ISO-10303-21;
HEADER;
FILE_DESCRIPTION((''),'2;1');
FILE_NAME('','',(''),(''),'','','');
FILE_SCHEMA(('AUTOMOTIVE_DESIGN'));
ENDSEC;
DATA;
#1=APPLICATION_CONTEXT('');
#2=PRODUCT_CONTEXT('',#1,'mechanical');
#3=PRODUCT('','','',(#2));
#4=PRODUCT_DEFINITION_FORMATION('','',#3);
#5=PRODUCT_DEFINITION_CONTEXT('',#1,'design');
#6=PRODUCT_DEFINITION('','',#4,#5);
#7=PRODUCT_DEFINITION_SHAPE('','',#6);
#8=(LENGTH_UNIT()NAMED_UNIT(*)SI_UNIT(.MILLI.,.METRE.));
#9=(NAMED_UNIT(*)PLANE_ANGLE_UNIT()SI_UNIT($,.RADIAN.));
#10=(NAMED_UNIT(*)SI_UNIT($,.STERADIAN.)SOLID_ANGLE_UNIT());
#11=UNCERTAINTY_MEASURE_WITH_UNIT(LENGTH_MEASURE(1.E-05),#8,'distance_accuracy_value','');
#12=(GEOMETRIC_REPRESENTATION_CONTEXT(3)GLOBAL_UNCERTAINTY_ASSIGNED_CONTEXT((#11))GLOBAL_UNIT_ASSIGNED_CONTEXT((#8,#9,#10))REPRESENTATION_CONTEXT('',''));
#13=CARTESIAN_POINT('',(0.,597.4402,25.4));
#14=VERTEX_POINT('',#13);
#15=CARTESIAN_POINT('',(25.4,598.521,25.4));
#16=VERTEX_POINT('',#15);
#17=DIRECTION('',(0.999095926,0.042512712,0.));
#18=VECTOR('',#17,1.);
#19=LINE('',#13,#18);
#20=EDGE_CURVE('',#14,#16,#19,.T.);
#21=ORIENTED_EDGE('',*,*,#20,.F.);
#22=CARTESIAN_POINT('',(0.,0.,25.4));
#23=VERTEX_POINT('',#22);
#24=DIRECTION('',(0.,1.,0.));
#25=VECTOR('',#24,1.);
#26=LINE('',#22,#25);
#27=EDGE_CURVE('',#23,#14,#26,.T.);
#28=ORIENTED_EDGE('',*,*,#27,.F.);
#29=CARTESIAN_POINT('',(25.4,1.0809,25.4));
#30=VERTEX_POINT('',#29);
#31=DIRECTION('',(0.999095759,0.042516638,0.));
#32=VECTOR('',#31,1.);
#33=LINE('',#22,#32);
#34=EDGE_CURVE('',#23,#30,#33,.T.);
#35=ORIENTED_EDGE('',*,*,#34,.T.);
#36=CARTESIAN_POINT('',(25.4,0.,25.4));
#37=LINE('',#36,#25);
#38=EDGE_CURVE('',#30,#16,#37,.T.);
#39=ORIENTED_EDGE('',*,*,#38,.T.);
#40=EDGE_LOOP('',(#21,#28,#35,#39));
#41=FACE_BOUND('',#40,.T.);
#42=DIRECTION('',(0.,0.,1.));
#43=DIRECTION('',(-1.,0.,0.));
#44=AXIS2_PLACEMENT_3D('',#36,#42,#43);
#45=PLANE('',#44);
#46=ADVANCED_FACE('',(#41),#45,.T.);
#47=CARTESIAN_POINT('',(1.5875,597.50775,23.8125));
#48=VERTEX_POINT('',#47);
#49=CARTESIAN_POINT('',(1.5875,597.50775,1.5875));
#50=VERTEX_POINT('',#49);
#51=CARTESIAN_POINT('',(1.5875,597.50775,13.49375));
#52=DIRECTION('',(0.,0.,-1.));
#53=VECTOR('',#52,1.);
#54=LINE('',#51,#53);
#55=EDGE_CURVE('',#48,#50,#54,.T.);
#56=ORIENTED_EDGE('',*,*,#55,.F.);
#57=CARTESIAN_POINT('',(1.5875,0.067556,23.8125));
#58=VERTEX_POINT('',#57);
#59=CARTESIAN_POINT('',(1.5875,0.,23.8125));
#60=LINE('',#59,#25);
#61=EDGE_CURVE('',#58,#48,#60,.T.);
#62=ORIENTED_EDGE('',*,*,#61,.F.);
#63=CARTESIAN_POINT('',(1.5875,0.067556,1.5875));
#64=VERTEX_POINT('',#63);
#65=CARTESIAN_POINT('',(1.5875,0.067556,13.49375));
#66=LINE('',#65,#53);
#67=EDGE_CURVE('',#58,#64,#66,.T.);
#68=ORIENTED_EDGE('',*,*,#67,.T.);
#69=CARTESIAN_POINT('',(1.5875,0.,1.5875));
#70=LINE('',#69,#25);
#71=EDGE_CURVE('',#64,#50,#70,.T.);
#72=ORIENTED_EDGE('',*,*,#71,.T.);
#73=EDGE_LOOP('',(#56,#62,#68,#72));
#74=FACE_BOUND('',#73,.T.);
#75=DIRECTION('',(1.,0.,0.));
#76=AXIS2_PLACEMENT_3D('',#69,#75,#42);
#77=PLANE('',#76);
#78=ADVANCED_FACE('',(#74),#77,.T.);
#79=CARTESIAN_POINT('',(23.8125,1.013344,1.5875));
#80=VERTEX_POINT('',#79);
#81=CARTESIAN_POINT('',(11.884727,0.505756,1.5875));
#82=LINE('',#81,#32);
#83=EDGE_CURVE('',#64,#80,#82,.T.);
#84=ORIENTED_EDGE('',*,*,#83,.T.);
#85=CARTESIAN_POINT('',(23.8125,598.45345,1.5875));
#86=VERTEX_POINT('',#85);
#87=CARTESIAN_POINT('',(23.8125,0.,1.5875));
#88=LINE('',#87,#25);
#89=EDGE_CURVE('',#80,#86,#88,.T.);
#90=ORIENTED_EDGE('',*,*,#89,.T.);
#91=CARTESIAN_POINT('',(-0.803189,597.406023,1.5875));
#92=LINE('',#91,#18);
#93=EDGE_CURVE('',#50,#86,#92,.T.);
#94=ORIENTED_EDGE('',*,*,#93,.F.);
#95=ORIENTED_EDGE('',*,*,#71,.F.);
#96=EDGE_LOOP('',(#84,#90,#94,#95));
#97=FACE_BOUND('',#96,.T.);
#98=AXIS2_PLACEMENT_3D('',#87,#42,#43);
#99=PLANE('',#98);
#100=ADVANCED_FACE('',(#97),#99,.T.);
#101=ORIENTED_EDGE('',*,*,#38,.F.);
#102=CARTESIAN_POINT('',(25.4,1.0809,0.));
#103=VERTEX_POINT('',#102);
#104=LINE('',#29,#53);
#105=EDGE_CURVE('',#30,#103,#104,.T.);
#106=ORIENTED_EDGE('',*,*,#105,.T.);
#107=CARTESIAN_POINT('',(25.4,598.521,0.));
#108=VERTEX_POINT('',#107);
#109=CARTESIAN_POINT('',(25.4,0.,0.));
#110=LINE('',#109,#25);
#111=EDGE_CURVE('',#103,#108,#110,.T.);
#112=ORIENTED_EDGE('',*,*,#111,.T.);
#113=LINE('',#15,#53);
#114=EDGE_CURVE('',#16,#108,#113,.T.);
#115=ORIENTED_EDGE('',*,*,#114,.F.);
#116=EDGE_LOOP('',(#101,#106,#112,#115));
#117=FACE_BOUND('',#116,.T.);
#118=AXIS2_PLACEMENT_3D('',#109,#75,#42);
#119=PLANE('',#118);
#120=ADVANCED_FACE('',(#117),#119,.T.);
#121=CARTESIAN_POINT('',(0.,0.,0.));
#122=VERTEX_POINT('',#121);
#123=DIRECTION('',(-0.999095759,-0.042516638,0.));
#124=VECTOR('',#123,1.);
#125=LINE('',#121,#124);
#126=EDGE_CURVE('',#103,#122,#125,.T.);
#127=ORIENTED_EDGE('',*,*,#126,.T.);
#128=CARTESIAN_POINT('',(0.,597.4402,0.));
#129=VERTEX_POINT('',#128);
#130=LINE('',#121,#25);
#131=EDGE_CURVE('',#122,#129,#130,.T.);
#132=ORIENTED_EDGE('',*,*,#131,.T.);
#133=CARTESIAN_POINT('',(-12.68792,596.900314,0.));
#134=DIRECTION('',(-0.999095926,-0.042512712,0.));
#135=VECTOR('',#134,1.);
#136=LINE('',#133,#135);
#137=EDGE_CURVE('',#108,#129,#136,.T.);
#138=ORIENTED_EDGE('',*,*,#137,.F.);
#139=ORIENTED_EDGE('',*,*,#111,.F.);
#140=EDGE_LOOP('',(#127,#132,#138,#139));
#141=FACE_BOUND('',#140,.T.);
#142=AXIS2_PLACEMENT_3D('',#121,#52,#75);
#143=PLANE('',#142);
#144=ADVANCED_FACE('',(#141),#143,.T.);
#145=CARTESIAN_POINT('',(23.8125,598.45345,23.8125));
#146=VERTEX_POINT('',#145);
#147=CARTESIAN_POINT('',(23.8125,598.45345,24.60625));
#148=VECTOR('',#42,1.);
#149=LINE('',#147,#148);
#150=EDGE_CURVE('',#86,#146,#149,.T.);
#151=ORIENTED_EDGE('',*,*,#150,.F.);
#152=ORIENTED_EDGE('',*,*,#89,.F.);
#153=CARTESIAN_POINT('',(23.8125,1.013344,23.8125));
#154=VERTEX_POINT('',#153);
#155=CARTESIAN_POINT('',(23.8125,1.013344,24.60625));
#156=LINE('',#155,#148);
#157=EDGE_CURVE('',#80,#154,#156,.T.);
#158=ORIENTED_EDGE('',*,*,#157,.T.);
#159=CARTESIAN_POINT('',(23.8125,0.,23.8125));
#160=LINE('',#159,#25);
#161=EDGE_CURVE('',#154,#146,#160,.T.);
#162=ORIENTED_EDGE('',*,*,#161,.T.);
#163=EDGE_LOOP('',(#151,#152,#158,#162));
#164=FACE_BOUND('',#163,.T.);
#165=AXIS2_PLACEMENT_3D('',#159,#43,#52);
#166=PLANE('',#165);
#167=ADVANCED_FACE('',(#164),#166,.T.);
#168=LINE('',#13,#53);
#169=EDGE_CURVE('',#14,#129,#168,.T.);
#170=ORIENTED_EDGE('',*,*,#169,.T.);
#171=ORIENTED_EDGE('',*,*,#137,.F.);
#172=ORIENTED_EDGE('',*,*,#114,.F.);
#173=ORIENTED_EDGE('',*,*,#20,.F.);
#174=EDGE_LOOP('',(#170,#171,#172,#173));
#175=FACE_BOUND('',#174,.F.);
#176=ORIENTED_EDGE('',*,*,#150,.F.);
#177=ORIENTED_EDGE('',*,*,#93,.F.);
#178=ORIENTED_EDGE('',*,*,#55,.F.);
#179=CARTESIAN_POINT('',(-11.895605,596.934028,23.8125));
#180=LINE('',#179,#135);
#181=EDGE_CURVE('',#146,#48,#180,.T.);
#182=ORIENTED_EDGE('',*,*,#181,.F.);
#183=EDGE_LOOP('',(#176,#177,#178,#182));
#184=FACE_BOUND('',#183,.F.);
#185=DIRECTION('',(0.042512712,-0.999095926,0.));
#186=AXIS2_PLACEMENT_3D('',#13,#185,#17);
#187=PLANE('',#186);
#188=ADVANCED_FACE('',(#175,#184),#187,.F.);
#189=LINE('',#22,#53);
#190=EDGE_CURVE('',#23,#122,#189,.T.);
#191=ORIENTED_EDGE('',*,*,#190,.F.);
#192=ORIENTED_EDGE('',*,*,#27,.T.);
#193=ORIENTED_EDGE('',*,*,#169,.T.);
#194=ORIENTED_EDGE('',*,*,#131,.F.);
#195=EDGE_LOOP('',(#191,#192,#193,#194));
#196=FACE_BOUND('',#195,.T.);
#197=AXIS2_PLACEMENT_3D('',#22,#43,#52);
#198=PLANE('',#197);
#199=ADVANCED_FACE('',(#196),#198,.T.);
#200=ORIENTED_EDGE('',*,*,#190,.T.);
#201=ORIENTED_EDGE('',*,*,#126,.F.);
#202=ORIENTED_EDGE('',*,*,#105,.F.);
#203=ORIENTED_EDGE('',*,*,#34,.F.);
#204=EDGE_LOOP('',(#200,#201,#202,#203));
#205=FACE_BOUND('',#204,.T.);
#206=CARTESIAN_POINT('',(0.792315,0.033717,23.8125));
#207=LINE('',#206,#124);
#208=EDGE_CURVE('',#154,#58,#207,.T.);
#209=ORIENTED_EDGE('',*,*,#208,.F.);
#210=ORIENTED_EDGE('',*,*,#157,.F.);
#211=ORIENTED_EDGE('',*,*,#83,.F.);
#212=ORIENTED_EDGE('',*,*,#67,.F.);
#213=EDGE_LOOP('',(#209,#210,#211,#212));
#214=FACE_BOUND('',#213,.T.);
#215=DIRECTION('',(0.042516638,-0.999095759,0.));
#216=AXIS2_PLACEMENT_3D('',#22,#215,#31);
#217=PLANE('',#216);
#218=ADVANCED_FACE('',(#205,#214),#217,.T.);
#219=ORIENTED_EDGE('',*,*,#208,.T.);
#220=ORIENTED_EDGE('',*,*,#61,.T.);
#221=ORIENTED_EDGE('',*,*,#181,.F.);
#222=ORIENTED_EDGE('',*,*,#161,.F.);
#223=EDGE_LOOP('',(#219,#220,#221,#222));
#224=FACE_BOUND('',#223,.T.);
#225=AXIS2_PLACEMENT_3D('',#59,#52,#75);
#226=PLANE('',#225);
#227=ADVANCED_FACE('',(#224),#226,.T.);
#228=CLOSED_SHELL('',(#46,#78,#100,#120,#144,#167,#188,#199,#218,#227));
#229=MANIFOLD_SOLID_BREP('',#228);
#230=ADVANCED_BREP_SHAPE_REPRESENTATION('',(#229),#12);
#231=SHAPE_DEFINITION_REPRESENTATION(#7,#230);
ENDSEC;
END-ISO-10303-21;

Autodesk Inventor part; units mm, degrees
ref_plane "YZ Plane" through (0, 0, 0) normal (1, 0, 0) x (0, 1, 0)
ref_plane "XZ Plane" through (0, 0, 0) normal (0, 1, 0) x (-1, 0, 0)
ref_plane "XY Plane" through (0, 0, 0) normal (0, 0, 1) x (1, 0, 0)
sketch "Sketch1" plane through (0, 0, 0) normal (0, 1, 0) x (-1, 0, 0)
  line L0 (0, 0) -> (-25.4, 0)
  line L1 (-25.4, 0) -> (-25.4, 25.4)
  line L2 (-25.4, 25.4) -> (0, 25.4)
  line L3 (0, 25.4) -> (0, 0)
  line L4 (-1.5875, 23.8125) -> (-23.8125, 23.8125)
  line L5 (-23.8125, 23.8125) -> (-23.8125, 1.5875)
  line L6 (-23.8125, 1.5875) -> (-1.5875, 1.5875)
  line L7 (-1.5875, 1.5875) -> (-1.5875, 23.8125)
  dimension "d0" = 25.4
  dimension "d2" = 25.4
  dimension "d3" = 1.5875
extrude "Extrusion1" add sketch "Sketch1" along normal blind 914.4
sketch "Sketch2" plane through (0, 0, 25.4) normal (0, 0, 1) x (1, 0, 0)
  line L0 (25.4, 0) -> (0, 0) projected
  line L1 (25.4, 0) -> (25.4, 914.4) projected
  line L2 (0, 914.4) -> (25.4, 914.4) projected
  line L3 (0, 0) -> (0, 914.4) projected
  line L4 (0, 0) -> (25.4, 1.0809)
  line L5 (0, 597.4402) -> (25.4, 598.521)
  dimension "d6" = 596.9
  dimension "d7" = 597.4402
extrude "Extrusion2" cut sketch "Sketch2" against normal blind 914.4 contours L0 L4 L1 | L3 L2 L1 L5
properties part number "Edge Mount Interference"
